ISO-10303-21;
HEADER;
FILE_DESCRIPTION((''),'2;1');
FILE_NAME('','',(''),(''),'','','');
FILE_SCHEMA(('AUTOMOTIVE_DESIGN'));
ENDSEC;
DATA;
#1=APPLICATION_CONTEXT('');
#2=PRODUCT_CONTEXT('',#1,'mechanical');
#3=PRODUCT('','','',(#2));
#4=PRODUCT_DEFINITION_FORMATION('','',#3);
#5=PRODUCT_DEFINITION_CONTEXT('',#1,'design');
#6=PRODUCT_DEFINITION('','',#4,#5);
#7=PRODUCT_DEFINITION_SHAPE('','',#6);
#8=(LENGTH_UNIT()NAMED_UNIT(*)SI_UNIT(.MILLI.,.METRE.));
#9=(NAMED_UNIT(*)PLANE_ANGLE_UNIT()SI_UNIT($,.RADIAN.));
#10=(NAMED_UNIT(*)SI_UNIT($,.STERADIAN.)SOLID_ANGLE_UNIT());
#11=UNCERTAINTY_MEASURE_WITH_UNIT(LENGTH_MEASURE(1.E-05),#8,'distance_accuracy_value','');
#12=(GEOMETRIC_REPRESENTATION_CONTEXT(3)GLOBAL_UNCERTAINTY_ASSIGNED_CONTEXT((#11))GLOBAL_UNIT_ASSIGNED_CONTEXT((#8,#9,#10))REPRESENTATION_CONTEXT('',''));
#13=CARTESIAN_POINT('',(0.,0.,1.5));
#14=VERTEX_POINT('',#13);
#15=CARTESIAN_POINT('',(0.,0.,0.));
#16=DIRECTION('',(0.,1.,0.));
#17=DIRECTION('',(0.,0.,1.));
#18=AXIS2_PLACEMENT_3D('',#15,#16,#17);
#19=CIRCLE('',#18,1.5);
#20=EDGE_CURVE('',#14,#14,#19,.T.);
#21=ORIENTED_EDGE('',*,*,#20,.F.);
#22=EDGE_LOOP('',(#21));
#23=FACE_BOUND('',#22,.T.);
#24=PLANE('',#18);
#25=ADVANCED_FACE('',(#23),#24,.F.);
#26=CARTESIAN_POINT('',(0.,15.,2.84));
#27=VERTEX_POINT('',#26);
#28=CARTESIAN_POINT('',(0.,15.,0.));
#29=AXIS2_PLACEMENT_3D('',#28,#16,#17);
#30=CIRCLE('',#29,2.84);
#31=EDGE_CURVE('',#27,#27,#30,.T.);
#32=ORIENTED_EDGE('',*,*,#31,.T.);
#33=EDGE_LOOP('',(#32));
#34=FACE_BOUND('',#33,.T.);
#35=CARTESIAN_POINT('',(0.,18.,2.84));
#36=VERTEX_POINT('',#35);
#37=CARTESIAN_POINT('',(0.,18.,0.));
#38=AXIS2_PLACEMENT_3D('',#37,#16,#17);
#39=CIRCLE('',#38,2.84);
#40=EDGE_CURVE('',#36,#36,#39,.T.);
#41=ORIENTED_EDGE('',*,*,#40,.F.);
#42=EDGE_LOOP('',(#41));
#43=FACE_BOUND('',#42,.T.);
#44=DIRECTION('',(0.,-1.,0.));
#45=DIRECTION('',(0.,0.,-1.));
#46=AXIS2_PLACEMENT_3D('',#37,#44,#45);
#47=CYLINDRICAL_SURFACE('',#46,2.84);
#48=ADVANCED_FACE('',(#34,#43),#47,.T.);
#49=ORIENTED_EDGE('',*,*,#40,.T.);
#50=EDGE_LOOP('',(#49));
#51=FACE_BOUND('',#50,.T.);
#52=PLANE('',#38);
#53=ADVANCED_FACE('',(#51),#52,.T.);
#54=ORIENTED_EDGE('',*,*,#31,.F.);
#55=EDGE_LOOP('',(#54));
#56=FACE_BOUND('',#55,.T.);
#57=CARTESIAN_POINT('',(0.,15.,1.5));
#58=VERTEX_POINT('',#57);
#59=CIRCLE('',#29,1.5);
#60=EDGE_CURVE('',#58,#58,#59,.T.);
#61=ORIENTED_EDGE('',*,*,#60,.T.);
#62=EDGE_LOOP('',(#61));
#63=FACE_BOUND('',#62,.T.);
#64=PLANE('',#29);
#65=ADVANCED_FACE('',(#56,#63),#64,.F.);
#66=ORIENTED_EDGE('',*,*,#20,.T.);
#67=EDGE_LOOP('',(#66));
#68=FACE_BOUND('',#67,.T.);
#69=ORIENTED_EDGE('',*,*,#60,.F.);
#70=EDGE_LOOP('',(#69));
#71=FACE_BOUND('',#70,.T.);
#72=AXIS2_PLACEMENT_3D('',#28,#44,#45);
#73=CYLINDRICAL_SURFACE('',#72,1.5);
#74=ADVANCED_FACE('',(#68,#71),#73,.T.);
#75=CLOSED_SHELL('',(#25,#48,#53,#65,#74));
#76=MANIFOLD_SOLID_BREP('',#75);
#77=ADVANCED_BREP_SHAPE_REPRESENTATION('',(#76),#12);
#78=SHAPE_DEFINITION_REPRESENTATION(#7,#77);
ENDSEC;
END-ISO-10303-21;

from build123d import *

# Parameters (mm, degrees)
CROQUIS1_R              = 1.5
SALIENTE_EXTRUIR1_DEPTH = 15
CROQUIS2_R              = 2.84
SALIENTE_EXTRUIR2_DEPTH = 3


with BuildPart() as part:
    # Croquis1 → Saliente-Extruir1 (new body)
    with BuildSketch(Plane(origin=(0, 0, 0), x_dir=(1, 0, 0), z_dir=(0, 1, 0))):
        Circle(CROQUIS1_R)
    extrude(amount=SALIENTE_EXTRUIR1_DEPTH)

    # Croquis2 → Saliente-Extruir2 (add)
    with BuildSketch(Plane(origin=(0, 15, 0), x_dir=(1, 0, 0), z_dir=(0, 1, 0))):
        Circle(CROQUIS2_R)
    extrude(amount=SALIENTE_EXTRUIR2_DEPTH)


solid = part.part
